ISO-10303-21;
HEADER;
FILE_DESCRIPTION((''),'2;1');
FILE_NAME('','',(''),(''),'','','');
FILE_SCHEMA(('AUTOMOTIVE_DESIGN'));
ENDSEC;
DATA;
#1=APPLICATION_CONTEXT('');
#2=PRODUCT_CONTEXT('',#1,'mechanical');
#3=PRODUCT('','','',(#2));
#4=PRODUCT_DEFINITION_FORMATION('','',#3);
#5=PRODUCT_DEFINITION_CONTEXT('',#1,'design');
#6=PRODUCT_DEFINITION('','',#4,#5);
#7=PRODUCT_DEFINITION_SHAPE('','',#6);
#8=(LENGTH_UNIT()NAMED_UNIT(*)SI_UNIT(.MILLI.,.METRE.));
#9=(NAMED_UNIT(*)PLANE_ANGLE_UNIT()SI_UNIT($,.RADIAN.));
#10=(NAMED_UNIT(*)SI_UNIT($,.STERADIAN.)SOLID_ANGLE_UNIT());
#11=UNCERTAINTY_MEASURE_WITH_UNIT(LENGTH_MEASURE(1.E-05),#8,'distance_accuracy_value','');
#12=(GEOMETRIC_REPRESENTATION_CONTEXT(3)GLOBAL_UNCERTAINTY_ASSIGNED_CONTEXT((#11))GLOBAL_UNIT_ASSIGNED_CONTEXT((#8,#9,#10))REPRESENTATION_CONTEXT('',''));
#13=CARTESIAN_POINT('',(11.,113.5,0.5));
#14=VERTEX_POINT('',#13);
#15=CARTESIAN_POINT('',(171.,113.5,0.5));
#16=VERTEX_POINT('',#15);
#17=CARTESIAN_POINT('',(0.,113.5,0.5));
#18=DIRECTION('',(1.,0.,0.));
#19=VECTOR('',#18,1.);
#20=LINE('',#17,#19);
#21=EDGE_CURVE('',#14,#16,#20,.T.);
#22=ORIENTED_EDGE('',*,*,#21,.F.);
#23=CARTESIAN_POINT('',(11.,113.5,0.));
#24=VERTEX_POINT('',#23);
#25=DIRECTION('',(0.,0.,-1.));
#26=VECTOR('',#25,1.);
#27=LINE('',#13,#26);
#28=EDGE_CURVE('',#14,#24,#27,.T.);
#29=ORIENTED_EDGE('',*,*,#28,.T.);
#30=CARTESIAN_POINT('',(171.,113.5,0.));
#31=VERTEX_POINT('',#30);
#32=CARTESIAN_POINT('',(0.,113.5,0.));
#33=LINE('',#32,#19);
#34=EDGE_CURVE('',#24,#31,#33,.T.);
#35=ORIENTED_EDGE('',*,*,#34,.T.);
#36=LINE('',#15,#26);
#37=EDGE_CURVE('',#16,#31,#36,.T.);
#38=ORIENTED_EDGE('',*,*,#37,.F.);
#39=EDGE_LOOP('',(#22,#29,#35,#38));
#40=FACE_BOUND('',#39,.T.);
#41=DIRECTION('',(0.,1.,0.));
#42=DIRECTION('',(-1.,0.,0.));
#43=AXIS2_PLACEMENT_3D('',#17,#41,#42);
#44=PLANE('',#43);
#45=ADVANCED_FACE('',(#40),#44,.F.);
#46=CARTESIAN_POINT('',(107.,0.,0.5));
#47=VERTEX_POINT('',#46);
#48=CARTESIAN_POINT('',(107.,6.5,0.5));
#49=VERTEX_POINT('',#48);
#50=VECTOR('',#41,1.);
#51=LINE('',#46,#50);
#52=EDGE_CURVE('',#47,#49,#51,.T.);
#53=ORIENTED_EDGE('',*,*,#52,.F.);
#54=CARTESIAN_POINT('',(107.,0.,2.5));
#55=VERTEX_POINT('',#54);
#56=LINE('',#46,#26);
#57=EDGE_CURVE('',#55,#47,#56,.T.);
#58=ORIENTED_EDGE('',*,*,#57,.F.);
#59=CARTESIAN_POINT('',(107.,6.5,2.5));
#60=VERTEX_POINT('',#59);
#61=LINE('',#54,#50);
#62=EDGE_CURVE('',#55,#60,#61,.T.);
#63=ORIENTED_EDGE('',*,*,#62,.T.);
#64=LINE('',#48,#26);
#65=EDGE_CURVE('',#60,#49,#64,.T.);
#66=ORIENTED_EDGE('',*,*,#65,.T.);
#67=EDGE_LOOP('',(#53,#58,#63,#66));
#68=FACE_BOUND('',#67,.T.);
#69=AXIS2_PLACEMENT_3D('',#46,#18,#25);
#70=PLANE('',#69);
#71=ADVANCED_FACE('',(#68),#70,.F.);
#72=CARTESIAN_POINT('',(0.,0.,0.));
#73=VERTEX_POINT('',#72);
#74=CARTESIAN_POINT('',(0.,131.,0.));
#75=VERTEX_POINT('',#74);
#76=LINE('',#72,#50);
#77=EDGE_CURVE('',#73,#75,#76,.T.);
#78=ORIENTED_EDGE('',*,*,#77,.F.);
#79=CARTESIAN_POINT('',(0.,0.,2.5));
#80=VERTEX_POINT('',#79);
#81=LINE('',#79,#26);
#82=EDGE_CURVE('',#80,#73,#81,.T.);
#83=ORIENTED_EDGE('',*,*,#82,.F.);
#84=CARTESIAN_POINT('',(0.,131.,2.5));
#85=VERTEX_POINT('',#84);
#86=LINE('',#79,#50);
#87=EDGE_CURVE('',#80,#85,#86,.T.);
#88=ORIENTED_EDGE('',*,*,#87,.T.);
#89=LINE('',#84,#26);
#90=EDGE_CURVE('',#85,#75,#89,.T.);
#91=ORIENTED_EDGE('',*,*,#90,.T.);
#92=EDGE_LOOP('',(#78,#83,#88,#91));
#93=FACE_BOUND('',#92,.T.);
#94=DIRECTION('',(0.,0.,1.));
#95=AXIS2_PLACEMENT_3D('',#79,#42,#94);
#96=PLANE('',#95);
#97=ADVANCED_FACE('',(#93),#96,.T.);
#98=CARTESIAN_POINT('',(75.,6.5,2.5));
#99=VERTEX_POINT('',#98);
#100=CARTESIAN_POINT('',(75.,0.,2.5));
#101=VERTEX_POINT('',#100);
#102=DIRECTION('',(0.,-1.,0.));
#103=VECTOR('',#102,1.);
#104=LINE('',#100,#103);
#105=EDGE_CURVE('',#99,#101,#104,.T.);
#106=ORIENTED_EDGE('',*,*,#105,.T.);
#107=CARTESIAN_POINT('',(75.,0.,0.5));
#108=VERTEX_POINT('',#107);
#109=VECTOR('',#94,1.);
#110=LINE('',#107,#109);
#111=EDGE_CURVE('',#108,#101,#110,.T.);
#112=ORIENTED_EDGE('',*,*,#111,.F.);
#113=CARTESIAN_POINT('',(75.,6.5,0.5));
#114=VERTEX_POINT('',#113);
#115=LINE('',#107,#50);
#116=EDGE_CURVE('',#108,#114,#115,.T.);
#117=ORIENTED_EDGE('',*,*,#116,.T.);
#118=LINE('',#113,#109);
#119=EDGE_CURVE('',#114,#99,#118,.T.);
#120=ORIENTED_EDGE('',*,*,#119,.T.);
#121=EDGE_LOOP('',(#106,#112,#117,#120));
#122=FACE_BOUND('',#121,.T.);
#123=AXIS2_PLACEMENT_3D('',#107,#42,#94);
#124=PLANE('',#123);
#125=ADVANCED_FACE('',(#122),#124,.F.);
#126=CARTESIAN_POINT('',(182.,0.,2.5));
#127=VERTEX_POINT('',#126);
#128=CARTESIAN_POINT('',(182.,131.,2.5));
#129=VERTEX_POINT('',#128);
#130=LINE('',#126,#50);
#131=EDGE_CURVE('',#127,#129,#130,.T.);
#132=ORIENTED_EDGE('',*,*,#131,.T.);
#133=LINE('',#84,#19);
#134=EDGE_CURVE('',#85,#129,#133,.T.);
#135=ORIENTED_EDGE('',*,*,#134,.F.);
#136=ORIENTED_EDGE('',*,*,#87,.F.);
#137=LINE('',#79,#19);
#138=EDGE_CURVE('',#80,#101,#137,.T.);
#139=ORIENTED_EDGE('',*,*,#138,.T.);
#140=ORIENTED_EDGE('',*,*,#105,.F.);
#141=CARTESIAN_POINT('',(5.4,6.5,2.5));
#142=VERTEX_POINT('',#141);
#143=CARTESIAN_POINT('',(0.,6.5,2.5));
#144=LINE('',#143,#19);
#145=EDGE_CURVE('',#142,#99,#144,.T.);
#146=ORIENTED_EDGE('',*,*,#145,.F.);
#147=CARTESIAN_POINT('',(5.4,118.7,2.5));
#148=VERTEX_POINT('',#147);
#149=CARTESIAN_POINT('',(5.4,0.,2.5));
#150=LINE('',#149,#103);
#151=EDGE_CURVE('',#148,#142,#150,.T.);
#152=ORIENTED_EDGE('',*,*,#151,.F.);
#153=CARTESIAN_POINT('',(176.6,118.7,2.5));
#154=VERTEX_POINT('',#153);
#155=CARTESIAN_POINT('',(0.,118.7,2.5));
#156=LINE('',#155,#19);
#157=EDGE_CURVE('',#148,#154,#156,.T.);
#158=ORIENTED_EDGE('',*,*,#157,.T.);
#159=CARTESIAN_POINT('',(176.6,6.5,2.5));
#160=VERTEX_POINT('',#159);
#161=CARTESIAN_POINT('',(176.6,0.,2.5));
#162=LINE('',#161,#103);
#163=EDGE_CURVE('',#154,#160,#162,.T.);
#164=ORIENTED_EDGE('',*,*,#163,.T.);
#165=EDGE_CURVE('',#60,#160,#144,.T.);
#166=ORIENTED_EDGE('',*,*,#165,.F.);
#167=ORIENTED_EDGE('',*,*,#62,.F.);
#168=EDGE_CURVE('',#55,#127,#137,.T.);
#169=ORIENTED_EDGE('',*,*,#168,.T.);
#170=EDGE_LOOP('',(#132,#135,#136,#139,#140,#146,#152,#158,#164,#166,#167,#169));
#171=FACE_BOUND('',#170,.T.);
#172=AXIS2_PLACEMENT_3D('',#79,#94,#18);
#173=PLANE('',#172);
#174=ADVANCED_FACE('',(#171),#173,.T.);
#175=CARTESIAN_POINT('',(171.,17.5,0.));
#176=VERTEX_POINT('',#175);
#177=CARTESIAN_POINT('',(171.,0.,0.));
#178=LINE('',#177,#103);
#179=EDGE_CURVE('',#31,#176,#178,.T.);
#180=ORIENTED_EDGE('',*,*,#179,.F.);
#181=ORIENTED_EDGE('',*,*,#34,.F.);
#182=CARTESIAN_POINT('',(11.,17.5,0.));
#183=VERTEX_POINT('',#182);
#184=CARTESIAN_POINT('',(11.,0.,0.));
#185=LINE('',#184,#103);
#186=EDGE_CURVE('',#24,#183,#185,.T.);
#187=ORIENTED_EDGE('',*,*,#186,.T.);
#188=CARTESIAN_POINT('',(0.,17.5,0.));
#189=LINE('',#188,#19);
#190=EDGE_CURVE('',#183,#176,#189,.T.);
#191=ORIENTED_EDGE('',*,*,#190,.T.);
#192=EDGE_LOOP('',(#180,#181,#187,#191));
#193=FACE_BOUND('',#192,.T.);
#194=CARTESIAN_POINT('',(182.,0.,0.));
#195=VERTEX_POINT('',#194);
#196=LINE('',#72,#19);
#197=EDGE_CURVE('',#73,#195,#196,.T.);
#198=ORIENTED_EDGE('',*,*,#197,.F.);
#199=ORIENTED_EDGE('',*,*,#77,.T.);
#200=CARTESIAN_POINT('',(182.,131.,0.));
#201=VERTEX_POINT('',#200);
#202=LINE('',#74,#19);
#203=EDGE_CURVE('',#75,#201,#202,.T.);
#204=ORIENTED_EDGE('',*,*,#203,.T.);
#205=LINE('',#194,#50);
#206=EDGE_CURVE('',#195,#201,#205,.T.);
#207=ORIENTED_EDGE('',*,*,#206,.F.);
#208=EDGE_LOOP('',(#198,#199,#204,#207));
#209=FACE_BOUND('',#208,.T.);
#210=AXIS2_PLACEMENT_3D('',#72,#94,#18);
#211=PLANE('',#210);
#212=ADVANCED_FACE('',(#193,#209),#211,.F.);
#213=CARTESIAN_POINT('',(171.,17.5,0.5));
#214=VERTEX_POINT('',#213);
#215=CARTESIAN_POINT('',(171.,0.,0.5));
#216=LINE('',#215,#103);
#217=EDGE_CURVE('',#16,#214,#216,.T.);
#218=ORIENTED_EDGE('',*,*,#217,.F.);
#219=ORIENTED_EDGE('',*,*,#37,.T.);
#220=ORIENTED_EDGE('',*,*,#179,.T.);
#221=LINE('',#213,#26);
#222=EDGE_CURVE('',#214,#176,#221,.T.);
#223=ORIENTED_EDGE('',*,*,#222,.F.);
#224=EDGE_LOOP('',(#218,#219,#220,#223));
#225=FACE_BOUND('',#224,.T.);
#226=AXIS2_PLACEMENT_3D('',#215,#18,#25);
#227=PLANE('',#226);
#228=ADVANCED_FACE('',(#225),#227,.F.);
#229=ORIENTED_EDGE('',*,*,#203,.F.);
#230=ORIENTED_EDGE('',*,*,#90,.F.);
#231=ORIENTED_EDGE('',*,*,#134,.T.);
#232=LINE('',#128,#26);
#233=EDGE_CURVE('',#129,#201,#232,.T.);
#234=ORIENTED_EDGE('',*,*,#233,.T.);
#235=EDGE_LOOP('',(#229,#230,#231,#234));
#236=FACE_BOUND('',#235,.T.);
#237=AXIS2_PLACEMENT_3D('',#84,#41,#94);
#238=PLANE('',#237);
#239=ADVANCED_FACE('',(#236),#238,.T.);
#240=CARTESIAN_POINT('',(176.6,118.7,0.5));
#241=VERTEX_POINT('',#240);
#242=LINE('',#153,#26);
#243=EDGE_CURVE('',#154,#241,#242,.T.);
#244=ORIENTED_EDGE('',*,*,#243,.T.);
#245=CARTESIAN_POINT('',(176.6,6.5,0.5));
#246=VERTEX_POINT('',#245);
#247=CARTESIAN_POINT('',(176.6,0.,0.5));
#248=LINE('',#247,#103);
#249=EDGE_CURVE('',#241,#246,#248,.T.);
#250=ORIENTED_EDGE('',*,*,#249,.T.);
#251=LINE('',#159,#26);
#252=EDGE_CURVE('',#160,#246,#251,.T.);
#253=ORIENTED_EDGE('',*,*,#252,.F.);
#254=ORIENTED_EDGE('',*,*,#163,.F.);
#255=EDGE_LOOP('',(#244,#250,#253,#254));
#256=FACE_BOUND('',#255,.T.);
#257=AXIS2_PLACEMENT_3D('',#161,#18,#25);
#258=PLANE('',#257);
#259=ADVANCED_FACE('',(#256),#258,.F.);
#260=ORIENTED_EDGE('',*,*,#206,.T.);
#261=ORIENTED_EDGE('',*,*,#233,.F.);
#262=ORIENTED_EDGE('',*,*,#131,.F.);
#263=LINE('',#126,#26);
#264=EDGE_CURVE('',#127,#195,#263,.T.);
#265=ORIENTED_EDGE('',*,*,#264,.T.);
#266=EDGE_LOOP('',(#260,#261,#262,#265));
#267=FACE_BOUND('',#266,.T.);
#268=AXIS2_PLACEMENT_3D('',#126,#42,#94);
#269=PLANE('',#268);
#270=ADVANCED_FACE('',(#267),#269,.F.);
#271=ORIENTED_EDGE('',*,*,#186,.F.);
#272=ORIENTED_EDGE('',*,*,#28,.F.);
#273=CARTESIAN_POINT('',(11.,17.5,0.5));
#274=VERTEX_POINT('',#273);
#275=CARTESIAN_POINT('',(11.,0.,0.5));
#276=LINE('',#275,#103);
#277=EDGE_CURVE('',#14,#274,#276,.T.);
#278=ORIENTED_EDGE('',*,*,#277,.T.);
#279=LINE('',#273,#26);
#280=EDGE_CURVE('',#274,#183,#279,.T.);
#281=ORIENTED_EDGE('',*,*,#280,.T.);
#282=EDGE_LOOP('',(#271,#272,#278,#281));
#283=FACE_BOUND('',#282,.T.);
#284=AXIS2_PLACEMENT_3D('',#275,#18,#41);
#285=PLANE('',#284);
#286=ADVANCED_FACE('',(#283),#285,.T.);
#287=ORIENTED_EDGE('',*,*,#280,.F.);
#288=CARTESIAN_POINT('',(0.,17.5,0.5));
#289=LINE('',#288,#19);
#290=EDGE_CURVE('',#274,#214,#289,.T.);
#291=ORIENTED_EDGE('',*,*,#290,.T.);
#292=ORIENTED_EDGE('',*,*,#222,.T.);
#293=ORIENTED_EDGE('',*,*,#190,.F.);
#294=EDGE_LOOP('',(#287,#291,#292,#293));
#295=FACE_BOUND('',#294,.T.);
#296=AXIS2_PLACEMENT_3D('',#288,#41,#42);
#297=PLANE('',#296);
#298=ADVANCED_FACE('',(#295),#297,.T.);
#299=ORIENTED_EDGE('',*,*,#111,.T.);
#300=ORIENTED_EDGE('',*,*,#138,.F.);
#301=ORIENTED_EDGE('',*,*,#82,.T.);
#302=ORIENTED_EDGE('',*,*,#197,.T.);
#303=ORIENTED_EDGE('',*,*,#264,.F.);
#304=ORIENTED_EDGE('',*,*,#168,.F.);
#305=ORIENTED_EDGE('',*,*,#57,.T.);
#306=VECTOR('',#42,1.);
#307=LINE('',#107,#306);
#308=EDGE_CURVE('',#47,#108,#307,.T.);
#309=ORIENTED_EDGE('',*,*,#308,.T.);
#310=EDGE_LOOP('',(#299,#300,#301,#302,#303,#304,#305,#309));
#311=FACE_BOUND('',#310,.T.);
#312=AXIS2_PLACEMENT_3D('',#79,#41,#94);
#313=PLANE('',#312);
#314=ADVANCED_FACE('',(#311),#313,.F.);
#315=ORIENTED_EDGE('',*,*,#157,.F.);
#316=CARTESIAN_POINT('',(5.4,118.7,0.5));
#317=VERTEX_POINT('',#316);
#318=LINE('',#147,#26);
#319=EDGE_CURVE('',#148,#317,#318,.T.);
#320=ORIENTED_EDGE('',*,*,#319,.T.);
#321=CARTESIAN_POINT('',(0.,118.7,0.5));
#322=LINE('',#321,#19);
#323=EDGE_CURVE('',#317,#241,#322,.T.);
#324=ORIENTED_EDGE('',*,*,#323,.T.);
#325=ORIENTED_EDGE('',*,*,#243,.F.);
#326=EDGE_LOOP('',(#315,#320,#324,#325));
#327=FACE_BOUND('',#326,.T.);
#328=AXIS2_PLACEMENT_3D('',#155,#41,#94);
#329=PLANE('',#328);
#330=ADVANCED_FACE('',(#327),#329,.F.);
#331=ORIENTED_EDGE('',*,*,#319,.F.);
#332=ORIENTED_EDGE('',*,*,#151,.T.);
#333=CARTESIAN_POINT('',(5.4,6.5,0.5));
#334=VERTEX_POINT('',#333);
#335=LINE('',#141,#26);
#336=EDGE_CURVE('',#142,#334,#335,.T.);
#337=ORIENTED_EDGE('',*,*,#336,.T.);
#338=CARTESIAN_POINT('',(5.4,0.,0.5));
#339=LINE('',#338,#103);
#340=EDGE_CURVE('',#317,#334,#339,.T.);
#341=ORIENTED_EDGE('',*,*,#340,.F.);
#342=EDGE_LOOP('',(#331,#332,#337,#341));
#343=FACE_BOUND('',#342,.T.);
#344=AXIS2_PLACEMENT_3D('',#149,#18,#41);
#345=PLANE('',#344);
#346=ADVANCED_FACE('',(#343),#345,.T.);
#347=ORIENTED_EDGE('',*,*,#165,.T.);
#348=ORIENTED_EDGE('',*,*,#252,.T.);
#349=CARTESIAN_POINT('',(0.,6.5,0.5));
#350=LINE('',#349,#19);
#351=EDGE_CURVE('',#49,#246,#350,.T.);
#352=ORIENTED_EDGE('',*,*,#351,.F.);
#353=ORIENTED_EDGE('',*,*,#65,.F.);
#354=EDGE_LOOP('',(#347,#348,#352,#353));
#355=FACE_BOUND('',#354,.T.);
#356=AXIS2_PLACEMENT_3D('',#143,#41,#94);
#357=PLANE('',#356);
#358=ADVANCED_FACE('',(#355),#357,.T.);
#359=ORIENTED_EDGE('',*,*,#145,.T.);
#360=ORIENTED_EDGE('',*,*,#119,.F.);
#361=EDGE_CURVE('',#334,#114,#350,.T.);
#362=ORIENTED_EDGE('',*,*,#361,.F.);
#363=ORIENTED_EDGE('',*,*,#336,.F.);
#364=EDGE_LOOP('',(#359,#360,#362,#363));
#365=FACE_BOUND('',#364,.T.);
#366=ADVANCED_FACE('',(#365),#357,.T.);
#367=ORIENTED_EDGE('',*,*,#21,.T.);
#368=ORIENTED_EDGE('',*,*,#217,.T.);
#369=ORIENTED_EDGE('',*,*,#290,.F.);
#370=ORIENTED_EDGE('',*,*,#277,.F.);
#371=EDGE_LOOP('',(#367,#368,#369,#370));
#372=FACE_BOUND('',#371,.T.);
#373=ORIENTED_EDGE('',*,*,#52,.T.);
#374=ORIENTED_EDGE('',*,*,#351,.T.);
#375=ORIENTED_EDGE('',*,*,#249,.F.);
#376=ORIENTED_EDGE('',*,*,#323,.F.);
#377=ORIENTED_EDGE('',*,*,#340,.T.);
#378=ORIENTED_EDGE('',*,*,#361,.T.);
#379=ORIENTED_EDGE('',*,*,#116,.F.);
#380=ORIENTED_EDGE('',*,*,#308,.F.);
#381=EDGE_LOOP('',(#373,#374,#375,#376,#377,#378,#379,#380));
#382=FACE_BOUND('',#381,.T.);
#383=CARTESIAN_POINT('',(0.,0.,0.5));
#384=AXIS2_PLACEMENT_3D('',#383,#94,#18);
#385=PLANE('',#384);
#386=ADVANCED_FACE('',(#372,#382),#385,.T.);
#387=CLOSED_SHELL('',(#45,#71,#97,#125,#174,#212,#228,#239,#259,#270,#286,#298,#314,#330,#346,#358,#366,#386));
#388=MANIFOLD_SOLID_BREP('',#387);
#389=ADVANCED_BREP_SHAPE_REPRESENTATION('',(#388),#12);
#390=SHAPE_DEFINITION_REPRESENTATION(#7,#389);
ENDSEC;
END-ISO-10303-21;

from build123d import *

# Parameters (mm, degrees)
ESBO_O1_W                = 182
ESBO_O1_H                = 131
ESBO_O1_W_2              = 171.2
ESBO_O1_H_2              = 112.2
RESSALTO_EXTRUS_O1_DEPTH = 2.5
ESBO_O1_4_W              = 171.2
ESBO_O1_4_H              = 112.2
ESBO_O1_4_W_2            = 160
ESBO_O1_4_H_2            = 96
RESSALTO_EXTRUS_O2_DEPTH = 0.5
ESBO_O2_W                = 32
ESBO_O2_H                = 30.698097853
CORTE_EXTRUS_O1_DEPTH    = 221.523241406


with BuildPart() as part:
    # Esboço1 → Ressalto-extrusão1 (new body)
    with BuildSketch(Plane.XY):
        with Locations((91, 65.5)):
            Rectangle(ESBO_O1_W, ESBO_O1_H)
        with Locations((91, 62.6)):
            Rectangle(ESBO_O1_W_2, ESBO_O1_H_2, mode=Mode.SUBTRACT)
    extrude(amount=RESSALTO_EXTRUS_O1_DEPTH)

    # Esboço1<4> → Ressalto-extrusão2 (add)
    with BuildSketch(Plane.XY):
        with Locations((91, 62.6)):
            Rectangle(ESBO_O1_4_W, ESBO_O1_4_H)
        with Locations((91, 65.5)):
            Rectangle(ESBO_O1_4_W_2, ESBO_O1_4_H_2, mode=Mode.SUBTRACT)
    extrude(amount=RESSALTO_EXTRUS_O2_DEPTH)

    # Esboço2 → Corte-extrusão1 (cut, through all)
    with BuildSketch(Plane(origin=(0, 6.5, 0), x_dir=(1, 0, 0), z_dir=(0, 1, 0))):
        with Locations((91, -15.849048927)):
            Rectangle(ESBO_O2_W, ESBO_O2_H)
    extrude(amount=-CORTE_EXTRUS_O1_DEPTH, mode=Mode.SUBTRACT)


solid = part.part
